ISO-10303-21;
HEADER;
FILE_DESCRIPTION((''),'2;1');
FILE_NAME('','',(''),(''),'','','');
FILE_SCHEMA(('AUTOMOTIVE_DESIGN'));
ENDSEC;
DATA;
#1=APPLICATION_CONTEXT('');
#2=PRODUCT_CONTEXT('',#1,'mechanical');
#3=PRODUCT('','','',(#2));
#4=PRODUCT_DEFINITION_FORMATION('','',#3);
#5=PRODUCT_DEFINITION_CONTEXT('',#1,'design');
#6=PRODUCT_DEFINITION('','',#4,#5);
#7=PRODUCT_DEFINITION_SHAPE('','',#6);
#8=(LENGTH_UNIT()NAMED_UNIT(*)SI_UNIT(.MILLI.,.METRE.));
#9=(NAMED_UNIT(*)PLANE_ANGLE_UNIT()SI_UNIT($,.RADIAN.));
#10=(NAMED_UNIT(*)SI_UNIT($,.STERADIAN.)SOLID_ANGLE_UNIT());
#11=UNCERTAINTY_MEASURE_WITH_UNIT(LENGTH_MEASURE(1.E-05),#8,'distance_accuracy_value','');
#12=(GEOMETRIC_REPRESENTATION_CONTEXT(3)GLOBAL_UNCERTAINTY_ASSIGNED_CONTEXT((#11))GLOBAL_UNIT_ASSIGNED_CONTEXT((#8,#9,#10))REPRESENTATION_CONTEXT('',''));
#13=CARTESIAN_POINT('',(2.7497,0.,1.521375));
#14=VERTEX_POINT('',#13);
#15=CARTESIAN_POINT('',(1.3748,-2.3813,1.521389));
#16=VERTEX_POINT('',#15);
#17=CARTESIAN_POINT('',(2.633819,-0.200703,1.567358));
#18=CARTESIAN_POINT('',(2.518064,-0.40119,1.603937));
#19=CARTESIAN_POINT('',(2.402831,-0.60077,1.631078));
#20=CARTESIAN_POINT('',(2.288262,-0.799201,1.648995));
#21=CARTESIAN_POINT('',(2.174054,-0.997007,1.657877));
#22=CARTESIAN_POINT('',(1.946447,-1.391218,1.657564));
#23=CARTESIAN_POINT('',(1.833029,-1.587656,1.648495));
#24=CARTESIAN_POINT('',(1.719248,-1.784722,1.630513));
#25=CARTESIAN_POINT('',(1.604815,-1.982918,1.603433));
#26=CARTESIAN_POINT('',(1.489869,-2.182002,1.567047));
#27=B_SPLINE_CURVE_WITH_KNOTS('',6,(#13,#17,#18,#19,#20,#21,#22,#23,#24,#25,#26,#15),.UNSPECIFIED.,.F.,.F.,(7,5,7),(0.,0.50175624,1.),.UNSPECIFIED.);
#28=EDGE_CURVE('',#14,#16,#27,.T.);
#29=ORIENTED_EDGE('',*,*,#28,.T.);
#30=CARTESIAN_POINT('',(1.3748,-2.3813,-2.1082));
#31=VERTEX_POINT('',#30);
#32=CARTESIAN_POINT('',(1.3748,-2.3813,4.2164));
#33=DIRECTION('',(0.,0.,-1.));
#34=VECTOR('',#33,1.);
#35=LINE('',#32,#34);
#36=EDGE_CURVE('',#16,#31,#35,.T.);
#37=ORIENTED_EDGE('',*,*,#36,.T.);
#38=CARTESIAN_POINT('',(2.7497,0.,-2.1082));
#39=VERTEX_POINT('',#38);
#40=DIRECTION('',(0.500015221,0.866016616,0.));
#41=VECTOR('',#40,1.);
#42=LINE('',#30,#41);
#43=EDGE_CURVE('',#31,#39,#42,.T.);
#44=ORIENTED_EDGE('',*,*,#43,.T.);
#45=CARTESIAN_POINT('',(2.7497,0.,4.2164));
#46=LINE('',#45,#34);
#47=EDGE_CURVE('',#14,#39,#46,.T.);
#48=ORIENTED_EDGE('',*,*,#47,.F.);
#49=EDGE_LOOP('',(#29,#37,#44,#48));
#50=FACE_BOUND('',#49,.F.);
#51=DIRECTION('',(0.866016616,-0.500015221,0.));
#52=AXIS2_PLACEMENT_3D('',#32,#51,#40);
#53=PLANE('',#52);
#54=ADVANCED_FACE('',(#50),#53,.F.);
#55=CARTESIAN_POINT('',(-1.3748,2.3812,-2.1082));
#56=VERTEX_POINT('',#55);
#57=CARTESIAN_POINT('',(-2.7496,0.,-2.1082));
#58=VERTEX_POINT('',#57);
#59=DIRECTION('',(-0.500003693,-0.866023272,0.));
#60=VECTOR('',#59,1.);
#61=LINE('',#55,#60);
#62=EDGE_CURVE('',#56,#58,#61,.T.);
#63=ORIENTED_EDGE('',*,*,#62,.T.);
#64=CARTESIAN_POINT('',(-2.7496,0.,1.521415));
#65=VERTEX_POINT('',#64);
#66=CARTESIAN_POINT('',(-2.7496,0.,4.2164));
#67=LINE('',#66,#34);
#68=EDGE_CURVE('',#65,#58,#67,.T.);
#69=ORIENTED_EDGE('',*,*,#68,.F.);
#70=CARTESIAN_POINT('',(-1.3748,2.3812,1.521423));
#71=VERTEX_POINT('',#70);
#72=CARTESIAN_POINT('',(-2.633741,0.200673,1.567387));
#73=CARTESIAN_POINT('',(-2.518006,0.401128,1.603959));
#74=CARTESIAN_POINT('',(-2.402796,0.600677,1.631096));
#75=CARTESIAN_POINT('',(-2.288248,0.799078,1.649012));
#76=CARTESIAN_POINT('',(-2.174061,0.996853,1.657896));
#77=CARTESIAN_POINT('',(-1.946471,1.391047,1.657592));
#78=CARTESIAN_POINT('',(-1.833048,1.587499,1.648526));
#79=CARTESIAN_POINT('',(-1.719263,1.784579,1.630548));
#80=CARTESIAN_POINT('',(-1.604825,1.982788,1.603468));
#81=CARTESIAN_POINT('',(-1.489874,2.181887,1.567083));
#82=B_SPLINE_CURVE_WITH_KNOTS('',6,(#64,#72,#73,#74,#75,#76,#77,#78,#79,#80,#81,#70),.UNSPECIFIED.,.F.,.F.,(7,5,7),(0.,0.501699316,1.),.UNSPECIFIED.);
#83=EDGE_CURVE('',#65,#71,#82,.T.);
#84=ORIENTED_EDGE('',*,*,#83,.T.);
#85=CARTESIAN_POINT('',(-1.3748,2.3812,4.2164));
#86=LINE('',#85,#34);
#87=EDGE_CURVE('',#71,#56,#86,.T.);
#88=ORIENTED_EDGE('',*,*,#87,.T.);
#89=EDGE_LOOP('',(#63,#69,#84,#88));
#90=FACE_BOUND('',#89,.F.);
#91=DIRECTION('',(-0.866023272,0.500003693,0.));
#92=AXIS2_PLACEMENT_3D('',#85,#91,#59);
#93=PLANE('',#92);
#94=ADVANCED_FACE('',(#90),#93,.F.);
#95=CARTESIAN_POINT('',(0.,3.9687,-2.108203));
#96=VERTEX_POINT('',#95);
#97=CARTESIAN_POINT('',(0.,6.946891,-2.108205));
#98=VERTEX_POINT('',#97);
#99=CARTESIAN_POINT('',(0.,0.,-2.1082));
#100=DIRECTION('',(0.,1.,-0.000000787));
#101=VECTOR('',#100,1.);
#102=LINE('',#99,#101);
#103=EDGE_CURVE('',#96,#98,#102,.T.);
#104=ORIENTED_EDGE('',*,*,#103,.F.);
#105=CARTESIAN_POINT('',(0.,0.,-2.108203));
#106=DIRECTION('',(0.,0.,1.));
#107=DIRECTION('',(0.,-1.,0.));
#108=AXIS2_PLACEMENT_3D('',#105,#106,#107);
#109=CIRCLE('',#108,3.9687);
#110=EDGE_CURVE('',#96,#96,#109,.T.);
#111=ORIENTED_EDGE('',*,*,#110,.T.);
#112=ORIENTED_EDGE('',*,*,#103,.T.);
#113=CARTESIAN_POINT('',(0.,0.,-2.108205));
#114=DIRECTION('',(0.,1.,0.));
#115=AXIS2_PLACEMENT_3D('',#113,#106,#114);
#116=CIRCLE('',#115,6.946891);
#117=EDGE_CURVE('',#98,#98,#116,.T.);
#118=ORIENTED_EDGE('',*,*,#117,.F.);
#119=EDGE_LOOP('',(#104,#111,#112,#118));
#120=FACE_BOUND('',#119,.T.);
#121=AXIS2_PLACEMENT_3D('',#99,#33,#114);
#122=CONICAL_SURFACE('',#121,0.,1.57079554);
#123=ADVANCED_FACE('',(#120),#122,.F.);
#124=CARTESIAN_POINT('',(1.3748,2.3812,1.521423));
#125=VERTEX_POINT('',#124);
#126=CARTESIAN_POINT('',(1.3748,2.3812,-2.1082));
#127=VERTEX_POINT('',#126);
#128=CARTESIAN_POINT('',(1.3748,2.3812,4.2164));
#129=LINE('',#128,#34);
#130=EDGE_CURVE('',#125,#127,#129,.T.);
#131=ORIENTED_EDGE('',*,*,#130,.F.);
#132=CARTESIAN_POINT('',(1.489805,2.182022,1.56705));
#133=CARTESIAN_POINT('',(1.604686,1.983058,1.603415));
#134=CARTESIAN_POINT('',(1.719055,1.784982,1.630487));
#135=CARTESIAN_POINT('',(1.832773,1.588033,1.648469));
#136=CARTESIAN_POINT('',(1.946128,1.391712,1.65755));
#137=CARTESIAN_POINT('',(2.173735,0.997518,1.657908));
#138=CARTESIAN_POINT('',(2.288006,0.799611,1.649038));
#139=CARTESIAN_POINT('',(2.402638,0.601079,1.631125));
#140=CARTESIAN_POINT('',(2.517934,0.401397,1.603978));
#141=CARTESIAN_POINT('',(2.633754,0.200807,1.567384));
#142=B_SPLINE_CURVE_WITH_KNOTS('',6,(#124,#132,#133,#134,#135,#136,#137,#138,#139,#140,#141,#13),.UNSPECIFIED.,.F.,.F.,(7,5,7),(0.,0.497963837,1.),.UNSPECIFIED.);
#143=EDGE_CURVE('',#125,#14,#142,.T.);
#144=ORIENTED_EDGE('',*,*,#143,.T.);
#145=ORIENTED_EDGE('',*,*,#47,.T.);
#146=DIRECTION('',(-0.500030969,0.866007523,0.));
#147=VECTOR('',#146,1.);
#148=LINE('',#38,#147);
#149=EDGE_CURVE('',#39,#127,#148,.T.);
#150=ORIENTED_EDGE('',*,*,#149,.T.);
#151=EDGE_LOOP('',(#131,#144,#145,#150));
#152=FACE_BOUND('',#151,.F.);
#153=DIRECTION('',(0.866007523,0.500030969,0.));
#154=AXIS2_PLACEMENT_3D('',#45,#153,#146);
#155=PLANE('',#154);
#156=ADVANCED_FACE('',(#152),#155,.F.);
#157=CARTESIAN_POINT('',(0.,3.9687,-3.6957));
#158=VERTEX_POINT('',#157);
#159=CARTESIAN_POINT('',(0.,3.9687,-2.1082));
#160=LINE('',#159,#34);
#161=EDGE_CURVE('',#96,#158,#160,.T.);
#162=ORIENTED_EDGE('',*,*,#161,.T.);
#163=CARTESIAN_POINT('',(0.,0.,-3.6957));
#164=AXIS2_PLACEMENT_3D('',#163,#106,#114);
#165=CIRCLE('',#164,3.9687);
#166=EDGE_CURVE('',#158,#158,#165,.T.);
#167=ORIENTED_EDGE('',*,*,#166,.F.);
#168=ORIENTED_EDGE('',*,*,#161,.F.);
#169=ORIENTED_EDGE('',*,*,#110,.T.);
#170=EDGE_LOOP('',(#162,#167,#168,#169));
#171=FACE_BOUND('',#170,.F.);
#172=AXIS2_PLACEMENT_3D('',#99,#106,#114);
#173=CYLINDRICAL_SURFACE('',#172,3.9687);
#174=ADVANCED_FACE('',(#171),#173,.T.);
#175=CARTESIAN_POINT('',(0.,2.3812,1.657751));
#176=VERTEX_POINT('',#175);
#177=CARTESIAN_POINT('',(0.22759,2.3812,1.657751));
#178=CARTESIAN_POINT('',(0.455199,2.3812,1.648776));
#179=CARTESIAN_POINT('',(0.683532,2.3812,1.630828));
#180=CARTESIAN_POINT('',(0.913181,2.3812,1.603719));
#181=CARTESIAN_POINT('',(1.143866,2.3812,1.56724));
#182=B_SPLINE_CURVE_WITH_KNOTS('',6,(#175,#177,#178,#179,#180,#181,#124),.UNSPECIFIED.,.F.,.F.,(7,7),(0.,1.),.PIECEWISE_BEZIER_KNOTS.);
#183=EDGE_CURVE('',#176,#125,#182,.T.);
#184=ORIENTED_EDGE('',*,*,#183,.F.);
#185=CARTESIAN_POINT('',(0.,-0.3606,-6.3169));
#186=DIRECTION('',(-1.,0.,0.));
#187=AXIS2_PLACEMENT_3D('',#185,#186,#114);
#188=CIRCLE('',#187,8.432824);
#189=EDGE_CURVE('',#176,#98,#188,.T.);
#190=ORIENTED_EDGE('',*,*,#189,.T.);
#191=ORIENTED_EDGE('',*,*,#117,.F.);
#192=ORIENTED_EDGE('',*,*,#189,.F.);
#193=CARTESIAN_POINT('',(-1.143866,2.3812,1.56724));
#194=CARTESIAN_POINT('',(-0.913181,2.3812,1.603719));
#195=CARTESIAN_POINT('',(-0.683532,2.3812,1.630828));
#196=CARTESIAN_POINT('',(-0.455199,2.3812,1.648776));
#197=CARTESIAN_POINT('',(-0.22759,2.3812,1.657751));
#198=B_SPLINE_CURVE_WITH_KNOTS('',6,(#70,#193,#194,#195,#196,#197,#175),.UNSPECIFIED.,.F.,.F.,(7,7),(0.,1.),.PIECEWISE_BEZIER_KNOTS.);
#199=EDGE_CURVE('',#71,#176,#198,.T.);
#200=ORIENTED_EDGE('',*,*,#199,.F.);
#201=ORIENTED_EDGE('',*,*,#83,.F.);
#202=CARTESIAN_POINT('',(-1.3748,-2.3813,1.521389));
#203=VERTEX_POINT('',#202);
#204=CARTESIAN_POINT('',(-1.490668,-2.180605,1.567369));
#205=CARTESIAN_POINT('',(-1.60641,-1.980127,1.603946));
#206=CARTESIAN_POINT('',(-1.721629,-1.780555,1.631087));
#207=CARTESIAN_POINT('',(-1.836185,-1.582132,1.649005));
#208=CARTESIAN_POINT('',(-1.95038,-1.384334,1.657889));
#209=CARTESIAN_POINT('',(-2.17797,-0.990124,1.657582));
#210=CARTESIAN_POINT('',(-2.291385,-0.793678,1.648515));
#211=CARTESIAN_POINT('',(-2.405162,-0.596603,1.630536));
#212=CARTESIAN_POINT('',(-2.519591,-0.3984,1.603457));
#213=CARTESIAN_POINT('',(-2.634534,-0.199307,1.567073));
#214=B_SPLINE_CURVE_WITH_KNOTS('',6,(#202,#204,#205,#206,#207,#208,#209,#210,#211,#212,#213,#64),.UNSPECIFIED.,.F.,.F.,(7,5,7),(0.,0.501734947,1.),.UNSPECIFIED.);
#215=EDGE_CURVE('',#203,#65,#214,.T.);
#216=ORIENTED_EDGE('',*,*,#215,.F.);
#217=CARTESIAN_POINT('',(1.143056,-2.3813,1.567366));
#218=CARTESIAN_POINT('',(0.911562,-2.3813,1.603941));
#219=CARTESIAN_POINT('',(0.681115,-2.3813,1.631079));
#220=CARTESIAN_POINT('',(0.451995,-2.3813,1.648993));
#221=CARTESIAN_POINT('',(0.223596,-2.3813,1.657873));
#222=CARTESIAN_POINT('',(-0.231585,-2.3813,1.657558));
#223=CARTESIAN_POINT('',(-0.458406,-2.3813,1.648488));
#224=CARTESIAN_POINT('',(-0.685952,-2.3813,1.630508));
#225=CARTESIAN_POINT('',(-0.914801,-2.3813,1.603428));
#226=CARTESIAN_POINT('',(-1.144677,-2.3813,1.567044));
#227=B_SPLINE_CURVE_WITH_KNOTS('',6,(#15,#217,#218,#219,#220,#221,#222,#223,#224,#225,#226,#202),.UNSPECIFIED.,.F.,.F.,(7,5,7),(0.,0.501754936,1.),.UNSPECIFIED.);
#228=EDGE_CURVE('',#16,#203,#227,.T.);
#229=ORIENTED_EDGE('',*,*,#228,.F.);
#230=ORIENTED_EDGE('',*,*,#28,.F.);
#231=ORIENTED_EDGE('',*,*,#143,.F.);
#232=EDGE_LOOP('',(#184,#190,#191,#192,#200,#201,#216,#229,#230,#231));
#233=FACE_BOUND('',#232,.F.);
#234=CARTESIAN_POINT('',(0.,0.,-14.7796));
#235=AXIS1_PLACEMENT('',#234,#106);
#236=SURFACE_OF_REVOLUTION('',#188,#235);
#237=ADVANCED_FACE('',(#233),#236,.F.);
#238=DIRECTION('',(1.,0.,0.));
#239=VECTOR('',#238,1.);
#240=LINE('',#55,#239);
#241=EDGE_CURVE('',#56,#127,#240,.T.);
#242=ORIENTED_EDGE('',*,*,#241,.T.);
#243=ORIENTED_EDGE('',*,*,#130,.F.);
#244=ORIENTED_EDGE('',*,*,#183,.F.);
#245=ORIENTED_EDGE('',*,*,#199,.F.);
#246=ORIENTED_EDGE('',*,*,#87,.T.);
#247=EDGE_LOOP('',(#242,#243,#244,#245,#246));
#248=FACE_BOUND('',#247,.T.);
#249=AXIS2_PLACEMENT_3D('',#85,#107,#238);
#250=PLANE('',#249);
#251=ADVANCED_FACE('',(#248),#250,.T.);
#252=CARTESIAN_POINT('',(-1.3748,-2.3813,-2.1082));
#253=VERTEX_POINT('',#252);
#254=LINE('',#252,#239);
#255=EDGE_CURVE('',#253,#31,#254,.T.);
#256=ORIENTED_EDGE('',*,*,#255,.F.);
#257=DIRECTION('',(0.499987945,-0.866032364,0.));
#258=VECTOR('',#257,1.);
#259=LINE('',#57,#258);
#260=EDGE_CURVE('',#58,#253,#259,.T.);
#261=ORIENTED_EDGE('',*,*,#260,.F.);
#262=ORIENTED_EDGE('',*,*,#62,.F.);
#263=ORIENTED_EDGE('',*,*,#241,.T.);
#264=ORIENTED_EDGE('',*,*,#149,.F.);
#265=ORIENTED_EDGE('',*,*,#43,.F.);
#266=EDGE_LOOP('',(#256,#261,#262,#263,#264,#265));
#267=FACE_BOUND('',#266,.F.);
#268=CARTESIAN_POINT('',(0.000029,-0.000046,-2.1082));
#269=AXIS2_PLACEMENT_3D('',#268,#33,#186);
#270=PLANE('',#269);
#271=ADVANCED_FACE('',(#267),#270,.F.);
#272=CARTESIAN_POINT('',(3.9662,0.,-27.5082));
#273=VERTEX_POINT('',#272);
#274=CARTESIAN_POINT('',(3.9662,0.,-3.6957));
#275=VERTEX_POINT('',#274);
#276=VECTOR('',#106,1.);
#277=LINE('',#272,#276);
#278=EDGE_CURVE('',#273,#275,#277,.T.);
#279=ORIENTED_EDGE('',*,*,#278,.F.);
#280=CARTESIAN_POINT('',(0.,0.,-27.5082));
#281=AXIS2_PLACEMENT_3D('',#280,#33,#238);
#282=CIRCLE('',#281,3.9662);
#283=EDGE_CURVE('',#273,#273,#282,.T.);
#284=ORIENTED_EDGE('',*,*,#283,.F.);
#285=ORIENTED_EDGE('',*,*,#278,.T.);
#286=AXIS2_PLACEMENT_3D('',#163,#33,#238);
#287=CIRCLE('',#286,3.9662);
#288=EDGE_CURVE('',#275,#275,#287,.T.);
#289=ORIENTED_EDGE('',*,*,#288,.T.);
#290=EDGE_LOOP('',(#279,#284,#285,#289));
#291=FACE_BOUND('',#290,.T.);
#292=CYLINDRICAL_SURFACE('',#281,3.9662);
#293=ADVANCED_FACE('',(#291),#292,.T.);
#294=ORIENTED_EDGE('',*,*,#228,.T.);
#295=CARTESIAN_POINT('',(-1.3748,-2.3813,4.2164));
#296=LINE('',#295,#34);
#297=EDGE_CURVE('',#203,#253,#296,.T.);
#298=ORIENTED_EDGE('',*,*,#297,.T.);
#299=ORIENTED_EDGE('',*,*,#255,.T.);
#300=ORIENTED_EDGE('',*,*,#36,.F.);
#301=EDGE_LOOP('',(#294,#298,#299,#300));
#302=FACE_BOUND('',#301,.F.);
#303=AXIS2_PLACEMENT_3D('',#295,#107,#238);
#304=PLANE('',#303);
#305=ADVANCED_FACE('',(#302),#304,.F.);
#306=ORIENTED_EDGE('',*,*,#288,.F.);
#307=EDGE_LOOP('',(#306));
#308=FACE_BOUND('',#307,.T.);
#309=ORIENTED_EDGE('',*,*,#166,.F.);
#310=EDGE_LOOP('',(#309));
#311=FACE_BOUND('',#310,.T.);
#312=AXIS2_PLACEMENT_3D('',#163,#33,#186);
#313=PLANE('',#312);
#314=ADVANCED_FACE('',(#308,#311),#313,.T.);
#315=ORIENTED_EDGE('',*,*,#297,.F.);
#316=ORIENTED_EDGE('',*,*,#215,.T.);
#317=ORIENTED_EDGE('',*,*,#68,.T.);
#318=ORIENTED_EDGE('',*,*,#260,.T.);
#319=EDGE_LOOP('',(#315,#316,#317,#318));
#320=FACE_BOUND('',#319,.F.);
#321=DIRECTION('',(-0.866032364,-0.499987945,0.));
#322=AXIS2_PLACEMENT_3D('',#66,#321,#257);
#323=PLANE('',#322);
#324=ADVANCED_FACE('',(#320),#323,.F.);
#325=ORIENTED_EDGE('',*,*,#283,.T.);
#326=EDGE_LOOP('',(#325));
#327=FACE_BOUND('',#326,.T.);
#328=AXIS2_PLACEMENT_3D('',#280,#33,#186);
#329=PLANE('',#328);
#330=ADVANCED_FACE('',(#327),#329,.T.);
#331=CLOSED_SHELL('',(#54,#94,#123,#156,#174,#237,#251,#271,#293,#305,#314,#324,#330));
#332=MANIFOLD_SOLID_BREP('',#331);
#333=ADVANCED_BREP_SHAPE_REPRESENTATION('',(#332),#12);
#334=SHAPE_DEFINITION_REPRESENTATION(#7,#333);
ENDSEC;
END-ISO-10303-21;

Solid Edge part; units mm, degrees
sketch "Sketch1" plane through (0, 0, 0) normal (1, 0, 0) x (0, 1, 0)
  line L0 (0, -2.1082) -> (0, 2.1082)
  arc A0 (0, 2.1082) -> (6.9469, -2.1082) centre (-0.3606, -6.3169) cw
  line L1 (0, -2.1082) -> (6.9469, -2.1082)
  dimension "D1" = 4.2164
  dimension "D2" = 8.4328
revolve "RevolvedProtrusion1" add sketch "Sketch1" angle 360 about axis through (0, 0, -14.7796) along (0, 0, 1)
sketch "Sketch2" plane through (0, 0, -2.1082) normal (0, 0, -1) x (0, 1, 0)
  circle A0 centre (0, 0) radius 3.9687
  dimension "D1" = 7.9375
extrude "Protrusion1" add sketch "Sketch2" along normal blind 25.4
sketch "Sketch3" plane through (0, 0, -27.5082) normal (0, 0, -1) x (1, 0, 0)
  circle A0 centre (0, 0) radius 3.9662
  dimension "D1" = 0.0025
extrude "Cutout1" cut sketch "Sketch3" against normal blind 23.8125 flip side to cut
sketch "Sketch4" plane through (-0.6032, 0.3606, 4.2164) normal (0, 0, 1) x (1, 0, 0)
  line L0 (-0.7716, 2.0206) -> (1.978, 2.0206)
  line L1 (3.3529, -0.3606) -> (1.978, 2.0206)
  line L2 (1.978, -2.7419) -> (3.3529, -0.3606)
  line L3 (-0.7716, -2.7419) -> (1.978, -2.7419)
  line L4 (-2.1464, -0.3606) -> (-0.7716, -2.7419)
  line L5 (-0.7716, 2.0206) -> (-2.1464, -0.3606)
extrude "ExtrudedCutout_11" cut sketch "Sketch4" against normal blind 6.3246
properties part number "146368"
